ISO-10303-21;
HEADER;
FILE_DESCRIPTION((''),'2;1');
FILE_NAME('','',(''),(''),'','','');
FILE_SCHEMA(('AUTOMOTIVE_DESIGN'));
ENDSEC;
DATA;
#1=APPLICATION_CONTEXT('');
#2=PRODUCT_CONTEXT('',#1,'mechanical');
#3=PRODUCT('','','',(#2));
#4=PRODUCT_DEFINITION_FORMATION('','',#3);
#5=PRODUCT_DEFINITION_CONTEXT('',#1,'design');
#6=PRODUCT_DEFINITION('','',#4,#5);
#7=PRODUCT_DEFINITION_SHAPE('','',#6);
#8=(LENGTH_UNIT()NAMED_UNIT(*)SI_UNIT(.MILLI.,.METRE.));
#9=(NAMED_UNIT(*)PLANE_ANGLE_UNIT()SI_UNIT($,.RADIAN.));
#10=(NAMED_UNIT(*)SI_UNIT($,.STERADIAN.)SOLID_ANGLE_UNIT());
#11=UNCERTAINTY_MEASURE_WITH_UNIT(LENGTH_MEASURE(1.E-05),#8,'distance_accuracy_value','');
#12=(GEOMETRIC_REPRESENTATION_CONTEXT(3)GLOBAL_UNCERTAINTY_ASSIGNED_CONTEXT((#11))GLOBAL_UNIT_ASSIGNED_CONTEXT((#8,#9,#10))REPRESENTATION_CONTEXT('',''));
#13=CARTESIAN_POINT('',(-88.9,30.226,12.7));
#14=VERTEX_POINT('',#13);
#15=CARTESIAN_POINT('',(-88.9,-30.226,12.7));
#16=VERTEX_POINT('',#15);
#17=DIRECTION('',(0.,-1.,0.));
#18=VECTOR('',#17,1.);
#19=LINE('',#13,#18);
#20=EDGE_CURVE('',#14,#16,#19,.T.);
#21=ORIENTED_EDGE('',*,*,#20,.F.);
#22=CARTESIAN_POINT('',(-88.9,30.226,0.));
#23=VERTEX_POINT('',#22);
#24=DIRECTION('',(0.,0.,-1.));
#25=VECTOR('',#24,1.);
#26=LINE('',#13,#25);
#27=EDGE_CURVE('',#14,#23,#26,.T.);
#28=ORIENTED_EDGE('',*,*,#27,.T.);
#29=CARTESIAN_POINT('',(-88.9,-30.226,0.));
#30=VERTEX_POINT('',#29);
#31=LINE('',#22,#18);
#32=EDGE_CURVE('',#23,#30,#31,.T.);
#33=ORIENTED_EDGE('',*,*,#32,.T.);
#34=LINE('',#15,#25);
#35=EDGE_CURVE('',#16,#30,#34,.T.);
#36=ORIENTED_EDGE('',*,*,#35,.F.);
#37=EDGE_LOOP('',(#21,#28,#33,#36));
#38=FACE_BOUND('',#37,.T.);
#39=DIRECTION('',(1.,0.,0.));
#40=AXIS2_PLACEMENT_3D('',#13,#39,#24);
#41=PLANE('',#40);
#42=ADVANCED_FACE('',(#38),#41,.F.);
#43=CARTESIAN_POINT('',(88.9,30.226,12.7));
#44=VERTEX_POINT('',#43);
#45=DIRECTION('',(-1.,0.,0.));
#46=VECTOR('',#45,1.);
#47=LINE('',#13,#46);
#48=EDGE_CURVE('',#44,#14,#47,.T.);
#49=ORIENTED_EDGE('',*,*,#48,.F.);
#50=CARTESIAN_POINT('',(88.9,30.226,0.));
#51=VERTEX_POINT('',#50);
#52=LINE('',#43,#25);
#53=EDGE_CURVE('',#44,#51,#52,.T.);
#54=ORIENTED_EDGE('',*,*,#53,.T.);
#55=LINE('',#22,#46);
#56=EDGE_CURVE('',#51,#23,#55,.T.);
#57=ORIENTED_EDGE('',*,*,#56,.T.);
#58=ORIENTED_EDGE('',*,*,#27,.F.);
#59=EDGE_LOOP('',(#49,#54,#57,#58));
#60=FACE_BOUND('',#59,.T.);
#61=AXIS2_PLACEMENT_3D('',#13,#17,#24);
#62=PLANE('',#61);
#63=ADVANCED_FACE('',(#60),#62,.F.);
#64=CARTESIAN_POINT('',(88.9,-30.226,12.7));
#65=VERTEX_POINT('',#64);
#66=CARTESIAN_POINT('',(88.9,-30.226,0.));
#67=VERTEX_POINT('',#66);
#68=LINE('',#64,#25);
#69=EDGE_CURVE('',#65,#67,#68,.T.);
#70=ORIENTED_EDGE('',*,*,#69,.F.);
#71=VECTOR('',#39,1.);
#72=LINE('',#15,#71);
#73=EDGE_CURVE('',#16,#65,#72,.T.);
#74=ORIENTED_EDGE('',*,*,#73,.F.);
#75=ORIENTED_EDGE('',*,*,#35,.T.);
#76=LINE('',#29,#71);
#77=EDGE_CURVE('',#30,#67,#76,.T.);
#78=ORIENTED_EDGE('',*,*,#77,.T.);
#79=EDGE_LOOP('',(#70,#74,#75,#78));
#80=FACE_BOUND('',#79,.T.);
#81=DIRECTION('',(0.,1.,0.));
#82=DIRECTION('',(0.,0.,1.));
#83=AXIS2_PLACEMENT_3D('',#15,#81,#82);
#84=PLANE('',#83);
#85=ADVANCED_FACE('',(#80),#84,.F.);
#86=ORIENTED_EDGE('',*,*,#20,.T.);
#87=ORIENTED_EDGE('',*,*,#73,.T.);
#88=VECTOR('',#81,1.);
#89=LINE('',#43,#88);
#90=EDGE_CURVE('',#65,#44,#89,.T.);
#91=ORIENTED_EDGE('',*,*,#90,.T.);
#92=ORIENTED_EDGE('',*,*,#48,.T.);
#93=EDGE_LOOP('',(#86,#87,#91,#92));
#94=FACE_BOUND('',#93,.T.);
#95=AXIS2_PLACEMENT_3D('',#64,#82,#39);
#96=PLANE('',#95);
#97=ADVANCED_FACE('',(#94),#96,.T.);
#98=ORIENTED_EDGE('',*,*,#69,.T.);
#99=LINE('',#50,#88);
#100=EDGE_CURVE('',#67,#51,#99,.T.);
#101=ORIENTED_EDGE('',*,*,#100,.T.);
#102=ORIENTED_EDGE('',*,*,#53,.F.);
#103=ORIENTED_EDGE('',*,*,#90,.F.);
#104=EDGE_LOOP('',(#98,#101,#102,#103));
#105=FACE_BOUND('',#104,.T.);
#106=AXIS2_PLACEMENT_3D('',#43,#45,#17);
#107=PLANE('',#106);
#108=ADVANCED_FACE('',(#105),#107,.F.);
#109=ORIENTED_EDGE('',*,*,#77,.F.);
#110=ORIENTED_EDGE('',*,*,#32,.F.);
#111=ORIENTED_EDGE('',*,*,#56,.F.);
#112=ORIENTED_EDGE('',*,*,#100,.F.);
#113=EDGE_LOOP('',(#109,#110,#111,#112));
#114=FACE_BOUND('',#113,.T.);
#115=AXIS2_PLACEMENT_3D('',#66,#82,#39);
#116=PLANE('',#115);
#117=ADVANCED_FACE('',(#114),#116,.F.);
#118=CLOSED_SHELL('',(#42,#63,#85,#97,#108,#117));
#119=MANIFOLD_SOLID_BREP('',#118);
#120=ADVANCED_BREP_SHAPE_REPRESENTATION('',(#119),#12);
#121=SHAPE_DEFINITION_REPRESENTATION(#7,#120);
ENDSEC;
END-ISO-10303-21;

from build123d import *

# Parameters (mm, degrees)
ESQUISSE1_W        = 177.8
ESQUISSE1_H        = 60.452
BOSS_EXTRU_1_DEPTH = 12.7


with BuildPart() as part:
    # Esquisse1 → Boss.-Extru.1 (new body)
    with BuildSketch(Plane.XY):
        Rectangle(ESQUISSE1_W, ESQUISSE1_H)
    extrude(amount=BOSS_EXTRU_1_DEPTH)


solid = part.part
